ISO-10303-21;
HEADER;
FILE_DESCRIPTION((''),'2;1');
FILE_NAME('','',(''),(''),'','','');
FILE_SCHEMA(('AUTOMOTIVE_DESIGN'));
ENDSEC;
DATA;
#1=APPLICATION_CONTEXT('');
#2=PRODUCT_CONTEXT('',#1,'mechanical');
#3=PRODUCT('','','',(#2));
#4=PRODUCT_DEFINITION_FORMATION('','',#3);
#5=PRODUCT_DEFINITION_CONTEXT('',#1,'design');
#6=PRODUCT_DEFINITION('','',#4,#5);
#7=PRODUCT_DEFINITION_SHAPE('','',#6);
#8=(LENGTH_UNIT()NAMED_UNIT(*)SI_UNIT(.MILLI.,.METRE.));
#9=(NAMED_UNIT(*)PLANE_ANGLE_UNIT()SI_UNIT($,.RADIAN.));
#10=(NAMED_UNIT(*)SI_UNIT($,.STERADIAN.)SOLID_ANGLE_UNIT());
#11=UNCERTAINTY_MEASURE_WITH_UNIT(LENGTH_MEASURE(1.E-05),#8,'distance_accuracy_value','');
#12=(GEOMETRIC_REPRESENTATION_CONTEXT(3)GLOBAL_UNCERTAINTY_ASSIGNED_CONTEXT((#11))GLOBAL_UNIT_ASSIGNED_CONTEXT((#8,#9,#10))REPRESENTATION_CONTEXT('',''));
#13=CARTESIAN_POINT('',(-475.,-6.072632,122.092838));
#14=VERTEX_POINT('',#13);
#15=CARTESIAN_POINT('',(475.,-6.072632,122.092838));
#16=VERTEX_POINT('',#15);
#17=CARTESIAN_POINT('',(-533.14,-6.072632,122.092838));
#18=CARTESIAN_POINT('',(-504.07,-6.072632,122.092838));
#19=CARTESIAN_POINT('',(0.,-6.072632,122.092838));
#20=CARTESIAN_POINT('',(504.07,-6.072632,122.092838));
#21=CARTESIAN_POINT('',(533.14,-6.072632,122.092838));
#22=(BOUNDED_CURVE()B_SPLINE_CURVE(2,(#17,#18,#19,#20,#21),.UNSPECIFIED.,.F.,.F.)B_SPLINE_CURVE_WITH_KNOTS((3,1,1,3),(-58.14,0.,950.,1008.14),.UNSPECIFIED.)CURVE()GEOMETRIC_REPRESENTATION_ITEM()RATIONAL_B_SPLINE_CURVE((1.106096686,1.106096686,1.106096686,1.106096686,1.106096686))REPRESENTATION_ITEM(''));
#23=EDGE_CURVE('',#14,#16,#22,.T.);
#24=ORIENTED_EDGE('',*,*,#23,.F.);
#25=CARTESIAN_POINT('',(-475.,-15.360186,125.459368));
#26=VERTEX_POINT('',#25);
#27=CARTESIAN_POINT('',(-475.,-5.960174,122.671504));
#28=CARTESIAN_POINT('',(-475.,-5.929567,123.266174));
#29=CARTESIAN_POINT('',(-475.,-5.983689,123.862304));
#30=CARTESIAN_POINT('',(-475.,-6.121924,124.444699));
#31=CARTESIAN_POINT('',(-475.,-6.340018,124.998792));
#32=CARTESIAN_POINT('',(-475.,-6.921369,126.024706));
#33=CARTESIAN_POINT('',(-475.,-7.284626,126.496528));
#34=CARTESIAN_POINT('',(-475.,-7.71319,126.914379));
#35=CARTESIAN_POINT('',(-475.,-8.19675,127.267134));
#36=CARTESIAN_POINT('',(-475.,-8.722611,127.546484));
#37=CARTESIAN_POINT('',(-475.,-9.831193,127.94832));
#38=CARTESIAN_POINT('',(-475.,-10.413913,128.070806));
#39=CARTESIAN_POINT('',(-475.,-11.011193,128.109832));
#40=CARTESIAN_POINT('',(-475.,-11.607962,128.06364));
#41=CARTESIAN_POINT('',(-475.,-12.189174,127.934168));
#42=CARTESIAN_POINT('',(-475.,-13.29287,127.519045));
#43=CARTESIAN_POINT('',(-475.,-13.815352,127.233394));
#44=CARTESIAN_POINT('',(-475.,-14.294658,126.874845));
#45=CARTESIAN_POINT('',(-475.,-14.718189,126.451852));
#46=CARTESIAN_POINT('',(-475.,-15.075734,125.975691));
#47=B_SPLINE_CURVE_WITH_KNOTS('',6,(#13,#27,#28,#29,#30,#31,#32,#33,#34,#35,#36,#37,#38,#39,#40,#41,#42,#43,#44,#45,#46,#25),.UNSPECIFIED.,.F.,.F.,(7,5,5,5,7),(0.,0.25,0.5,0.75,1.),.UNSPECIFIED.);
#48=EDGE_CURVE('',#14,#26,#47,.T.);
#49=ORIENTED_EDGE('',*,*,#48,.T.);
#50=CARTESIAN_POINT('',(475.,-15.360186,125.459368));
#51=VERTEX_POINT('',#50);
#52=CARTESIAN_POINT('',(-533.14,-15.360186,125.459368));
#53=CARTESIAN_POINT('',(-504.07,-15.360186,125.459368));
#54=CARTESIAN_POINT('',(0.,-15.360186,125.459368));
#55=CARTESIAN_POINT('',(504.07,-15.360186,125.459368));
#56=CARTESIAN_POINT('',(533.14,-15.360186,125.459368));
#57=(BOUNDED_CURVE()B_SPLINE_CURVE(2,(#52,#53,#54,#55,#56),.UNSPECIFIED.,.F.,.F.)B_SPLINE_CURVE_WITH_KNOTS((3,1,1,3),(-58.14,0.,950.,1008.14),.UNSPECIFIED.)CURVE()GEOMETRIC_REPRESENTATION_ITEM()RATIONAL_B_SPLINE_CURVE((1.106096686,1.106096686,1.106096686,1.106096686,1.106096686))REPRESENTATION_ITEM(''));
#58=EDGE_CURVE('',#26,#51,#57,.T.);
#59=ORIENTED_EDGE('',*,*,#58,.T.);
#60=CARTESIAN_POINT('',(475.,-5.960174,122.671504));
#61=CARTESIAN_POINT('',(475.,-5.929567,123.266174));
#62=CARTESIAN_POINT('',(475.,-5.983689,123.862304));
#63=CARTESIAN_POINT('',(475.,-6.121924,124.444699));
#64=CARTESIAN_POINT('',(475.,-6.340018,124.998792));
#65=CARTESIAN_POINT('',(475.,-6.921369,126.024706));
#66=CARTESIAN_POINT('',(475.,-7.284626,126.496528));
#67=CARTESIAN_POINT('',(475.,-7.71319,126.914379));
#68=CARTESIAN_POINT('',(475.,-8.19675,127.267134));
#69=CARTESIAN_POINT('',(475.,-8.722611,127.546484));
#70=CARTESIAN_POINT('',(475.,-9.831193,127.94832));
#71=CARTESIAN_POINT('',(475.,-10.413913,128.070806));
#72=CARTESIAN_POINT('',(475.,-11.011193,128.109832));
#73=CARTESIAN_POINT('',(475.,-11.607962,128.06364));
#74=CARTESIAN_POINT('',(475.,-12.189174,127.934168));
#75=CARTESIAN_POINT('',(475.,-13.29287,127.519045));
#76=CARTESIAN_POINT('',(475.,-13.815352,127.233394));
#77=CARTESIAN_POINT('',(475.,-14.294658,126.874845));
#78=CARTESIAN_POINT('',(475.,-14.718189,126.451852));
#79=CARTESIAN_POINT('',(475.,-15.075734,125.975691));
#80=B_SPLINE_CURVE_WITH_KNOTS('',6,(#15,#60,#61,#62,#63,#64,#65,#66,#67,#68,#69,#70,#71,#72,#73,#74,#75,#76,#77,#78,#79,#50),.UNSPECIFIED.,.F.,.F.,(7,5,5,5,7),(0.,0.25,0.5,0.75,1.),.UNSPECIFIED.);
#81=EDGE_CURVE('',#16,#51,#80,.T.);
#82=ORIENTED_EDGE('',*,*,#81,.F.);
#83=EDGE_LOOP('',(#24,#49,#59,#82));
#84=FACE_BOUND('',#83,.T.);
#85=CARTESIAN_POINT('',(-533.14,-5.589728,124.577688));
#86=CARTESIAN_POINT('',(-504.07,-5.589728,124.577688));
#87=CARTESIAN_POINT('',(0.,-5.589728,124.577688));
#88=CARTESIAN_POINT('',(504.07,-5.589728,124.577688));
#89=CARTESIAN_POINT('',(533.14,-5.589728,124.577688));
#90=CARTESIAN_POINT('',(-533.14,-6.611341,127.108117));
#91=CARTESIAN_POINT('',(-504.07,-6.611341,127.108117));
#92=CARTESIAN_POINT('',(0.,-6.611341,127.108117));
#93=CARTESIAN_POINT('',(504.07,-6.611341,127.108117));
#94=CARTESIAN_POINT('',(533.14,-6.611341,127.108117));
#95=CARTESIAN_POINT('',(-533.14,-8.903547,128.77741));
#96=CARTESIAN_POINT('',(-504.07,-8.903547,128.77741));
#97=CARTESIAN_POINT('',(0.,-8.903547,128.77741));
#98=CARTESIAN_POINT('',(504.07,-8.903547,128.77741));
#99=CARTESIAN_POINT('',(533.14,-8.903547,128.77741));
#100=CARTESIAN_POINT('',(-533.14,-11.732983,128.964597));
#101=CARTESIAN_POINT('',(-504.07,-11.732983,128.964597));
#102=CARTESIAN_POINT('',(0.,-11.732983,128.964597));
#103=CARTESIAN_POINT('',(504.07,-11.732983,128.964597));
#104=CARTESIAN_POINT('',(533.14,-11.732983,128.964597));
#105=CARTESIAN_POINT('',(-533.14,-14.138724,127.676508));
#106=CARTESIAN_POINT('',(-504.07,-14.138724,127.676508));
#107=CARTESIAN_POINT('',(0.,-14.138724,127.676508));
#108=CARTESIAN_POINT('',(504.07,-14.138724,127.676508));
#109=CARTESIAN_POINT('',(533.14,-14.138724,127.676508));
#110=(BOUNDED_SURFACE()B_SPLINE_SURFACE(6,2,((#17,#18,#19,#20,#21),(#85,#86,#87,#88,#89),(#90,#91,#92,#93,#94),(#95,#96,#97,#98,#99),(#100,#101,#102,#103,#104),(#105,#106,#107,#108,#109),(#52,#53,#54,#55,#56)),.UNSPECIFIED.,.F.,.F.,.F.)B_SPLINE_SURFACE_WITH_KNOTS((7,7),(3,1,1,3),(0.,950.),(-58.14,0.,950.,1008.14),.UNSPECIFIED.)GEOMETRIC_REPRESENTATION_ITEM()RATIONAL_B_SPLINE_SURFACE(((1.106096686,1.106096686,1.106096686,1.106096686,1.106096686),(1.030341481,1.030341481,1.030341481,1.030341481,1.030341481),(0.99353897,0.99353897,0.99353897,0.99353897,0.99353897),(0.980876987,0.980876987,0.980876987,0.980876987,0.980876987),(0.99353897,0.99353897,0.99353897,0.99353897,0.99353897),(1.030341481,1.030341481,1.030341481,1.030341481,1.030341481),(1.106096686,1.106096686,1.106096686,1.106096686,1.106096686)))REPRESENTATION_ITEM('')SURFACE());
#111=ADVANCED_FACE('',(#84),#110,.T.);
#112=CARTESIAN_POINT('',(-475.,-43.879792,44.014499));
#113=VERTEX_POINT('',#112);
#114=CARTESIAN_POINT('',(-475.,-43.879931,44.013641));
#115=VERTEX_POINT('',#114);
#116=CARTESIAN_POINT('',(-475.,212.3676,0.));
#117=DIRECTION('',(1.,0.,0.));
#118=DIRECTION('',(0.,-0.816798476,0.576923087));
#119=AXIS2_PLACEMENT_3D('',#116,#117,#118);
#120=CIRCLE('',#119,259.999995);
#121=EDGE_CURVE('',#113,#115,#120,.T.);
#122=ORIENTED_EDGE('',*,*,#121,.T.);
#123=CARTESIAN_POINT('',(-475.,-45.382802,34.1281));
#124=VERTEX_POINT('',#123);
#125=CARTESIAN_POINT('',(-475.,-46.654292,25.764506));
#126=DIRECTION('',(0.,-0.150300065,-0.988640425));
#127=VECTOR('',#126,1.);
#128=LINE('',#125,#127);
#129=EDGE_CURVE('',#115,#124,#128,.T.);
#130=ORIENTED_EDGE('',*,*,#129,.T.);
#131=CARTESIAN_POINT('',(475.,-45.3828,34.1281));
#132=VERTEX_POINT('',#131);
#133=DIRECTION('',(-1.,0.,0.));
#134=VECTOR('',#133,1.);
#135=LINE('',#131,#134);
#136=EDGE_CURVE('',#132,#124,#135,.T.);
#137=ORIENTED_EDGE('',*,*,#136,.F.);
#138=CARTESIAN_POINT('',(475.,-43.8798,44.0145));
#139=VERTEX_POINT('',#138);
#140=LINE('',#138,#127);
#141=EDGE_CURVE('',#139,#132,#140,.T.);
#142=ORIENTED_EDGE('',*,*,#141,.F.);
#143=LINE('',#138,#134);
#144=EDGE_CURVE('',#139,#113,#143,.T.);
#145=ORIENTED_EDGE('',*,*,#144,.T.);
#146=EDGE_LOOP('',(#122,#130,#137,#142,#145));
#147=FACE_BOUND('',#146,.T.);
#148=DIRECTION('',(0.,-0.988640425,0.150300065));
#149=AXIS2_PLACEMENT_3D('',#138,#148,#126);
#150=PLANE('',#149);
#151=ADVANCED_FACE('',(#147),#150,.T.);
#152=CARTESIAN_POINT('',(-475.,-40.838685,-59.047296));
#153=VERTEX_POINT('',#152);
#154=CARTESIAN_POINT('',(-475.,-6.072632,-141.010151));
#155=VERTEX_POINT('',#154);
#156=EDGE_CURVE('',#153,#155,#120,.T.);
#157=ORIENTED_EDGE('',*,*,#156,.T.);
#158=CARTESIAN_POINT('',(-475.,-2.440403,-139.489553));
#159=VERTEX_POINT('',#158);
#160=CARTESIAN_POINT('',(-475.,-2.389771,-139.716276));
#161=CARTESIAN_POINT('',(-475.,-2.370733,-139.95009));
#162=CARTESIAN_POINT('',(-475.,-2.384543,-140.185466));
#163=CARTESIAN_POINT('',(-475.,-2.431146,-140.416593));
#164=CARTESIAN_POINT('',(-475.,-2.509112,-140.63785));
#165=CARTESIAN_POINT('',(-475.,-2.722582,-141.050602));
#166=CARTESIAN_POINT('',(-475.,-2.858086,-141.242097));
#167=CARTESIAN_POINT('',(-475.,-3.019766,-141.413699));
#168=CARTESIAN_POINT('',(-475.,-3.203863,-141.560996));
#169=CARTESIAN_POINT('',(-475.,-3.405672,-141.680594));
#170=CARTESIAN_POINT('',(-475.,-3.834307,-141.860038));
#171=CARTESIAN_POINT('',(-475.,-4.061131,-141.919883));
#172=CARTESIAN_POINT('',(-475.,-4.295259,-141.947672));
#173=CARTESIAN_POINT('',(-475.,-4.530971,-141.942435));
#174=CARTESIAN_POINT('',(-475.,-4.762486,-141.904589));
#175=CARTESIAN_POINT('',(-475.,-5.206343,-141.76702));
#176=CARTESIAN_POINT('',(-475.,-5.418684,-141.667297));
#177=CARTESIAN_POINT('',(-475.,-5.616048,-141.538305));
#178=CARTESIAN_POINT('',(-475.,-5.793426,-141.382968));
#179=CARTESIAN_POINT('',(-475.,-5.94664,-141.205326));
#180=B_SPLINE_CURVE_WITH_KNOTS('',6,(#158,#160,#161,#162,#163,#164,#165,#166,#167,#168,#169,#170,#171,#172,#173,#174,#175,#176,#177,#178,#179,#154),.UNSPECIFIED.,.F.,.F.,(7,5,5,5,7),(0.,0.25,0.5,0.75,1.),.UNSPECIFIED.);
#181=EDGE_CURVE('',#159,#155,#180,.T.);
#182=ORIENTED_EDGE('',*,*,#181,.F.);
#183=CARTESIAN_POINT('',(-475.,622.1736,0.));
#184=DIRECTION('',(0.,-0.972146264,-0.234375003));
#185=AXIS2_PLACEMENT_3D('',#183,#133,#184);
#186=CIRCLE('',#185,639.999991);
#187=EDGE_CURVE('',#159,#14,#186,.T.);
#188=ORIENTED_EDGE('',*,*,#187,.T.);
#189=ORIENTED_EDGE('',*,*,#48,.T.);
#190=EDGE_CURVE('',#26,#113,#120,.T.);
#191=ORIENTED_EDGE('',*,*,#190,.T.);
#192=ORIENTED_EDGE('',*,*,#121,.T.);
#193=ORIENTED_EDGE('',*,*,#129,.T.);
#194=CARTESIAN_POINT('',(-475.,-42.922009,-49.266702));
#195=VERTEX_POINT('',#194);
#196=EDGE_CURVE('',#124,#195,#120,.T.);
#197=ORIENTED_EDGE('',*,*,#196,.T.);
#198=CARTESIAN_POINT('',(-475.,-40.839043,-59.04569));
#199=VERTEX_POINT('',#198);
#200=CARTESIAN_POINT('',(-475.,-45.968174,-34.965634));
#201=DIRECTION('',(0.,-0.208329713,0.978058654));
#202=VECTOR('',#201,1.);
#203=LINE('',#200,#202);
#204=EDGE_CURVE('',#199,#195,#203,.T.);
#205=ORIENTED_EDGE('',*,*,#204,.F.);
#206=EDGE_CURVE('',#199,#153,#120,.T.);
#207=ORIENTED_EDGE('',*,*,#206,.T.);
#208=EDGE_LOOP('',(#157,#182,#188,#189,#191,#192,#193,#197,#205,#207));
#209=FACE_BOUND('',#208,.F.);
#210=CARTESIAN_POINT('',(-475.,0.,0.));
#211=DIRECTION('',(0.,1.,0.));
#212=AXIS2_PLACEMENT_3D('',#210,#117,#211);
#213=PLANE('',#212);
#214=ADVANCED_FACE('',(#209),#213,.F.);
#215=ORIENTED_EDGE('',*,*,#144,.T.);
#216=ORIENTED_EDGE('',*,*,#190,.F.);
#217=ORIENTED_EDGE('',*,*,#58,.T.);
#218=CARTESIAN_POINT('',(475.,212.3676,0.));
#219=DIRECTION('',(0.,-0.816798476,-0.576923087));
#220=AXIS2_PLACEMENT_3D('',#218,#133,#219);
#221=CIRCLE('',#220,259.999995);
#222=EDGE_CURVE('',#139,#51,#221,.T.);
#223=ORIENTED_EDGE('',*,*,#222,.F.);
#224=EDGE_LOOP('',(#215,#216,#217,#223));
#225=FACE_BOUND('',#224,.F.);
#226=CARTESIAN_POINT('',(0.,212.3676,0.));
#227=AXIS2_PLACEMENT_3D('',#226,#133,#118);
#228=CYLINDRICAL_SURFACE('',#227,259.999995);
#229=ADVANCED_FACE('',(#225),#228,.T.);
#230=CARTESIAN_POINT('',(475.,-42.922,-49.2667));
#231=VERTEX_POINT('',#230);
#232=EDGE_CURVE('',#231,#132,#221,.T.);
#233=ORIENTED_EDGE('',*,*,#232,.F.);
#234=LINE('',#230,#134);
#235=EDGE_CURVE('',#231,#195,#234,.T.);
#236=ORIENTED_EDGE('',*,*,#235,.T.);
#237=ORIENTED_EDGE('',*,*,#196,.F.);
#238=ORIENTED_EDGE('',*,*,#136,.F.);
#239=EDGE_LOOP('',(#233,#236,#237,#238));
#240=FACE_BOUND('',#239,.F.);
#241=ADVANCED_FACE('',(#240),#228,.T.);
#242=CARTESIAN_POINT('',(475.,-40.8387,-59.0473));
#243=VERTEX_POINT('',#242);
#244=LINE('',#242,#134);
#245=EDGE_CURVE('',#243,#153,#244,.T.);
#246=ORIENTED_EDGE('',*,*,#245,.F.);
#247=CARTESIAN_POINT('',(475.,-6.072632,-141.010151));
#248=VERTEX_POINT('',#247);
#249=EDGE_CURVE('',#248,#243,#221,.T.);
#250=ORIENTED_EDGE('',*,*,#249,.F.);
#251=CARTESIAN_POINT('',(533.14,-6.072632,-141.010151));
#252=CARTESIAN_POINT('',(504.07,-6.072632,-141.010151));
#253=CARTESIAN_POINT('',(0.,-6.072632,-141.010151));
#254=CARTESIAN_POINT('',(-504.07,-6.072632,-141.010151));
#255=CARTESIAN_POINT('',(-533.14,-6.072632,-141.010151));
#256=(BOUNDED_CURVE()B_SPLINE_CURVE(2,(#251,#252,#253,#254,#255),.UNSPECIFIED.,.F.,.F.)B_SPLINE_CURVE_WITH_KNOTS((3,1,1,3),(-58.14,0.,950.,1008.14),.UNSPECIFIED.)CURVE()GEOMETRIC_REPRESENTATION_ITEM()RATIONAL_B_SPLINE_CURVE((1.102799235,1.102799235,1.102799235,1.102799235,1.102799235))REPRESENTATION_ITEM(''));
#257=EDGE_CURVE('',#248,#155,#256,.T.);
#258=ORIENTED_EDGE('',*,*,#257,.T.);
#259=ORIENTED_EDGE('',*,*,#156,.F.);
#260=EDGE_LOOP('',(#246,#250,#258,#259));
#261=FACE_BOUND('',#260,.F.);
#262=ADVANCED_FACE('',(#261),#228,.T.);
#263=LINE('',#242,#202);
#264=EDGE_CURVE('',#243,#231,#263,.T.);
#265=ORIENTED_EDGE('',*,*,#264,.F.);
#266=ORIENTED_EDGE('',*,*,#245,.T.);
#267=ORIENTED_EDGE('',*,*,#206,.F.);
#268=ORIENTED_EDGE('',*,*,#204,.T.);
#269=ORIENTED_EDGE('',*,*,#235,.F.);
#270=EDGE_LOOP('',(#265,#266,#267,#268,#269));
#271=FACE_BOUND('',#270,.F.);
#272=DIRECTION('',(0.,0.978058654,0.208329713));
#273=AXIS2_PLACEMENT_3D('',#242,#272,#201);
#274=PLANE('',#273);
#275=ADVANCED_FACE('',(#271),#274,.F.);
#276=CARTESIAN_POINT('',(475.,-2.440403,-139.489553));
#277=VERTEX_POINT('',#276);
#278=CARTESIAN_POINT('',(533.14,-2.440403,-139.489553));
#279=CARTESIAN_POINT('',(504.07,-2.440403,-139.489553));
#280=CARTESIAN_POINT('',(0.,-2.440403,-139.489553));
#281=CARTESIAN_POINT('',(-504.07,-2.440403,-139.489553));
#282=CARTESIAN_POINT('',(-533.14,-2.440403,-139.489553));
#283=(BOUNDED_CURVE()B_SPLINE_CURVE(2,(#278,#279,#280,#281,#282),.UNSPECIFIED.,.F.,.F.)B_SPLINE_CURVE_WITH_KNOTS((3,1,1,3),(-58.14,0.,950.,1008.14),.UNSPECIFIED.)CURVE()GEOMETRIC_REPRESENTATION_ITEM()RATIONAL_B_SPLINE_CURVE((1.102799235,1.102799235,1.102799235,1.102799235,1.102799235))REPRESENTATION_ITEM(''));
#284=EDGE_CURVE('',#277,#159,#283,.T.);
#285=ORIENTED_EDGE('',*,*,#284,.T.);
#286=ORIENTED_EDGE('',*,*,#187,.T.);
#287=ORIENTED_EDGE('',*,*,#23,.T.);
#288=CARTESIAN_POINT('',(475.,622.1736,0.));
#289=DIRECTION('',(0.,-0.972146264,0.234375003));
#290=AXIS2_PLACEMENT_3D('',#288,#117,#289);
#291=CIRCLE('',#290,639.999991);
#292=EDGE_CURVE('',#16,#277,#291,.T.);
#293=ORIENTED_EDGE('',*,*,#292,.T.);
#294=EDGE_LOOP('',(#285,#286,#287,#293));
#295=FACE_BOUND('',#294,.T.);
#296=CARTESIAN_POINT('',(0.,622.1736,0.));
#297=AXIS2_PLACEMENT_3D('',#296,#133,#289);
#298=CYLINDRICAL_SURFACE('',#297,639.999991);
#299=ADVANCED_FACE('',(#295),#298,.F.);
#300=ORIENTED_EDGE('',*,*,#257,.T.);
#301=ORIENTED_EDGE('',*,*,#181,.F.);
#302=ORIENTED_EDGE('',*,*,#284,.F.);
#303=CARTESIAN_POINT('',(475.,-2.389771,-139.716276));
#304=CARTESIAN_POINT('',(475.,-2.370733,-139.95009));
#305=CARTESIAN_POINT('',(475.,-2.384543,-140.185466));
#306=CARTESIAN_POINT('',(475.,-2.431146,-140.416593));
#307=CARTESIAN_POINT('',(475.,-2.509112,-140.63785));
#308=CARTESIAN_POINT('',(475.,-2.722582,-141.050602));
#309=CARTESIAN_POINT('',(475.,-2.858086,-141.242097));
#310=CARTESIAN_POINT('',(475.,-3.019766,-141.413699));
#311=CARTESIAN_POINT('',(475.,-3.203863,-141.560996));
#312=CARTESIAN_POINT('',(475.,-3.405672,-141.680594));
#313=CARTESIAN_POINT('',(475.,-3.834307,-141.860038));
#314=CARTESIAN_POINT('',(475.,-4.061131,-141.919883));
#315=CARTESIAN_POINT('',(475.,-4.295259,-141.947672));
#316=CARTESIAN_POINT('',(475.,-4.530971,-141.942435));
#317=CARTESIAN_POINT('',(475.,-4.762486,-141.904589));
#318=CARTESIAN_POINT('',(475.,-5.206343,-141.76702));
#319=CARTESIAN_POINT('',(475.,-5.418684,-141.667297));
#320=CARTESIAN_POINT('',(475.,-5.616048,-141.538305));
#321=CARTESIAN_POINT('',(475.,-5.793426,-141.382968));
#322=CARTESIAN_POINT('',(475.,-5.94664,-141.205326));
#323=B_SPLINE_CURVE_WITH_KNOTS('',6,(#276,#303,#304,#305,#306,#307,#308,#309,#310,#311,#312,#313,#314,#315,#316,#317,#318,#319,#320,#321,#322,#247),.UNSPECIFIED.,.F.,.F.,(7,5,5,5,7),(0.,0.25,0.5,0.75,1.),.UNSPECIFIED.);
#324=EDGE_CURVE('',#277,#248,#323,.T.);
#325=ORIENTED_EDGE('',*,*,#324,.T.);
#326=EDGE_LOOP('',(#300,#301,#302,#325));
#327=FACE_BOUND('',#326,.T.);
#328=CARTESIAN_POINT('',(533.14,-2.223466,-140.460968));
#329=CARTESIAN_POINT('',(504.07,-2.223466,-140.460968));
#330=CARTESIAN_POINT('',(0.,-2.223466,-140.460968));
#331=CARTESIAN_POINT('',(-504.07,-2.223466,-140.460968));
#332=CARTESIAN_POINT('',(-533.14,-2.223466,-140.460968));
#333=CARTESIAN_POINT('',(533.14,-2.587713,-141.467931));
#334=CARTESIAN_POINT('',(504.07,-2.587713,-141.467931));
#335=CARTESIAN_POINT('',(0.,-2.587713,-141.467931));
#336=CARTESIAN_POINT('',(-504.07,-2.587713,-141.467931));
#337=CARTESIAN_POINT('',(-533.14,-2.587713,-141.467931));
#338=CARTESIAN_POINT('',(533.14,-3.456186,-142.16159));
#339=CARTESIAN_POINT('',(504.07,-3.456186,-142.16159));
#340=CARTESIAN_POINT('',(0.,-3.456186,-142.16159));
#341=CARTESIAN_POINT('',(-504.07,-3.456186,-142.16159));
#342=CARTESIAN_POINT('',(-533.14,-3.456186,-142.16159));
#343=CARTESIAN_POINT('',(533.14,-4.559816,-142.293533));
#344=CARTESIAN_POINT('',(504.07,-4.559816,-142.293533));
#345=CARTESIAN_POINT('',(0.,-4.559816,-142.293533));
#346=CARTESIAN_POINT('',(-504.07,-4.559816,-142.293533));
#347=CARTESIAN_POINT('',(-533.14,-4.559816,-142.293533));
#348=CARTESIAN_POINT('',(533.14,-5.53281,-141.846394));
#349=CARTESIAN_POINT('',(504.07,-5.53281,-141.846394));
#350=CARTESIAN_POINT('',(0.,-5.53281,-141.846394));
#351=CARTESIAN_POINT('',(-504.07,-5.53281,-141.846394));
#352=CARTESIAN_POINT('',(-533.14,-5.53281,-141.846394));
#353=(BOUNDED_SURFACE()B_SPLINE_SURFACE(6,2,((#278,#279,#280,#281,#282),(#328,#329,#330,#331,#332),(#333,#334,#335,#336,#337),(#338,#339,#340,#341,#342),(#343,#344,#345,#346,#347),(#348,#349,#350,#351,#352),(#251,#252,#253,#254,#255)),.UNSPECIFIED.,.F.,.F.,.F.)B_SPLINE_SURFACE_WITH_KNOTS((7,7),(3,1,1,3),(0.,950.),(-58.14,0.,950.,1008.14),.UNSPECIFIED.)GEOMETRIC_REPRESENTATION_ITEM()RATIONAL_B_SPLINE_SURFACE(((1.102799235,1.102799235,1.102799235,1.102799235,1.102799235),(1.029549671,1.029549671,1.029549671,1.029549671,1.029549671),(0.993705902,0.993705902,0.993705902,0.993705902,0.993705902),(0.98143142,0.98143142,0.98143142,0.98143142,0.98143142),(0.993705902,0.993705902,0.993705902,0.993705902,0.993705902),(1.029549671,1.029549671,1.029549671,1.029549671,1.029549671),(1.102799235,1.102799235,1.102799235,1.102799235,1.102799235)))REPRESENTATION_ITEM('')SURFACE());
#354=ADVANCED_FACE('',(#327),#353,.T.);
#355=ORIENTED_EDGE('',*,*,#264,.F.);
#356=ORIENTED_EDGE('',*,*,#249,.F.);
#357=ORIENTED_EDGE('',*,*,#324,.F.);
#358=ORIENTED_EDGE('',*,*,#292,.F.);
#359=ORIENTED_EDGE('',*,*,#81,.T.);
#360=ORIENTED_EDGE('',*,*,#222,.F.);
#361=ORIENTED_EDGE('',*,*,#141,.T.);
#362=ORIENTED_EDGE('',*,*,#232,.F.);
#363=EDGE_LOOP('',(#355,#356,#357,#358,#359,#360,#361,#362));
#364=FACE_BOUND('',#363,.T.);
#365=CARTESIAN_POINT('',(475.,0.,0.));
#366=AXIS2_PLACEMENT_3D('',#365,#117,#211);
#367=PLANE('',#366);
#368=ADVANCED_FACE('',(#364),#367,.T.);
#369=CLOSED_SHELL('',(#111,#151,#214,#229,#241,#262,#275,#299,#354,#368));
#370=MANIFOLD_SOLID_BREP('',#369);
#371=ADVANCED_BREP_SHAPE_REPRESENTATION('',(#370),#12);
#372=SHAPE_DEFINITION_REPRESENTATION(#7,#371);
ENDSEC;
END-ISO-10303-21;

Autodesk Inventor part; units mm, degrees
ref_plane "YZ Plane" through (0, 0, 0) normal (1, 0, 0) x (0, 1, 0)
ref_plane "XZ Plane" through (0, 0, 0) normal (0, 1, 0) x (-1, 0, 0)
ref_plane "XY Plane" through (0, 0, 0) normal (0, 0, 1) x (1, 0, 0)
sketch "スケッチ1" plane through (0, 0, 0) normal (1, 0, 0) x (0, 1, 0)
  line L0 (0, 150) -> (0, -150)
  line L1 (-181.5936, 0) -> (756.1348, 0) projected
  arc A0 (0, 150) -> (0, -150) centre (622.1736, 0) ccw
  arc A1 (0, 150) -> (0, -150) centre (212.3676, 0) ccw
  point P0 (0, 0)
  point P1 (0, 0)
  dimension "d0" = 300
  dimension "d1" = 640
  dimension "d2" = 260
extrude "押し出し1" add sketch "スケッチ1" along normal mid plane 950 contours A0 L1 A1 | A0 A1 L1
fillet "フィレット1" radius 5 1 edges at (0, 0, 150)
fillet "フィレット2" radius 2 1 edges at (0, 0, -150)
sketch "スケッチ2" plane through (475, 0, 0) normal (1, 0, 0) x (0, 0, -1)
  line L0 (-44.0145, -43.8798) -> (-34.1281, -45.3828)
  line L1 (59.0473, -40.8387) -> (49.2667, -42.922)
  arc A0 (-125.4594, -15.3602) -> (141.0102, -6.0726) centre (0, 212.3676) ccw projected
  point P0 (0, 0)
  dimension "d7" = 10
  dimension "d8" = 10
extrude "押し出し2" cut sketch "スケッチ2" against normal through all
properties part number "element_1" material "CFRP"
